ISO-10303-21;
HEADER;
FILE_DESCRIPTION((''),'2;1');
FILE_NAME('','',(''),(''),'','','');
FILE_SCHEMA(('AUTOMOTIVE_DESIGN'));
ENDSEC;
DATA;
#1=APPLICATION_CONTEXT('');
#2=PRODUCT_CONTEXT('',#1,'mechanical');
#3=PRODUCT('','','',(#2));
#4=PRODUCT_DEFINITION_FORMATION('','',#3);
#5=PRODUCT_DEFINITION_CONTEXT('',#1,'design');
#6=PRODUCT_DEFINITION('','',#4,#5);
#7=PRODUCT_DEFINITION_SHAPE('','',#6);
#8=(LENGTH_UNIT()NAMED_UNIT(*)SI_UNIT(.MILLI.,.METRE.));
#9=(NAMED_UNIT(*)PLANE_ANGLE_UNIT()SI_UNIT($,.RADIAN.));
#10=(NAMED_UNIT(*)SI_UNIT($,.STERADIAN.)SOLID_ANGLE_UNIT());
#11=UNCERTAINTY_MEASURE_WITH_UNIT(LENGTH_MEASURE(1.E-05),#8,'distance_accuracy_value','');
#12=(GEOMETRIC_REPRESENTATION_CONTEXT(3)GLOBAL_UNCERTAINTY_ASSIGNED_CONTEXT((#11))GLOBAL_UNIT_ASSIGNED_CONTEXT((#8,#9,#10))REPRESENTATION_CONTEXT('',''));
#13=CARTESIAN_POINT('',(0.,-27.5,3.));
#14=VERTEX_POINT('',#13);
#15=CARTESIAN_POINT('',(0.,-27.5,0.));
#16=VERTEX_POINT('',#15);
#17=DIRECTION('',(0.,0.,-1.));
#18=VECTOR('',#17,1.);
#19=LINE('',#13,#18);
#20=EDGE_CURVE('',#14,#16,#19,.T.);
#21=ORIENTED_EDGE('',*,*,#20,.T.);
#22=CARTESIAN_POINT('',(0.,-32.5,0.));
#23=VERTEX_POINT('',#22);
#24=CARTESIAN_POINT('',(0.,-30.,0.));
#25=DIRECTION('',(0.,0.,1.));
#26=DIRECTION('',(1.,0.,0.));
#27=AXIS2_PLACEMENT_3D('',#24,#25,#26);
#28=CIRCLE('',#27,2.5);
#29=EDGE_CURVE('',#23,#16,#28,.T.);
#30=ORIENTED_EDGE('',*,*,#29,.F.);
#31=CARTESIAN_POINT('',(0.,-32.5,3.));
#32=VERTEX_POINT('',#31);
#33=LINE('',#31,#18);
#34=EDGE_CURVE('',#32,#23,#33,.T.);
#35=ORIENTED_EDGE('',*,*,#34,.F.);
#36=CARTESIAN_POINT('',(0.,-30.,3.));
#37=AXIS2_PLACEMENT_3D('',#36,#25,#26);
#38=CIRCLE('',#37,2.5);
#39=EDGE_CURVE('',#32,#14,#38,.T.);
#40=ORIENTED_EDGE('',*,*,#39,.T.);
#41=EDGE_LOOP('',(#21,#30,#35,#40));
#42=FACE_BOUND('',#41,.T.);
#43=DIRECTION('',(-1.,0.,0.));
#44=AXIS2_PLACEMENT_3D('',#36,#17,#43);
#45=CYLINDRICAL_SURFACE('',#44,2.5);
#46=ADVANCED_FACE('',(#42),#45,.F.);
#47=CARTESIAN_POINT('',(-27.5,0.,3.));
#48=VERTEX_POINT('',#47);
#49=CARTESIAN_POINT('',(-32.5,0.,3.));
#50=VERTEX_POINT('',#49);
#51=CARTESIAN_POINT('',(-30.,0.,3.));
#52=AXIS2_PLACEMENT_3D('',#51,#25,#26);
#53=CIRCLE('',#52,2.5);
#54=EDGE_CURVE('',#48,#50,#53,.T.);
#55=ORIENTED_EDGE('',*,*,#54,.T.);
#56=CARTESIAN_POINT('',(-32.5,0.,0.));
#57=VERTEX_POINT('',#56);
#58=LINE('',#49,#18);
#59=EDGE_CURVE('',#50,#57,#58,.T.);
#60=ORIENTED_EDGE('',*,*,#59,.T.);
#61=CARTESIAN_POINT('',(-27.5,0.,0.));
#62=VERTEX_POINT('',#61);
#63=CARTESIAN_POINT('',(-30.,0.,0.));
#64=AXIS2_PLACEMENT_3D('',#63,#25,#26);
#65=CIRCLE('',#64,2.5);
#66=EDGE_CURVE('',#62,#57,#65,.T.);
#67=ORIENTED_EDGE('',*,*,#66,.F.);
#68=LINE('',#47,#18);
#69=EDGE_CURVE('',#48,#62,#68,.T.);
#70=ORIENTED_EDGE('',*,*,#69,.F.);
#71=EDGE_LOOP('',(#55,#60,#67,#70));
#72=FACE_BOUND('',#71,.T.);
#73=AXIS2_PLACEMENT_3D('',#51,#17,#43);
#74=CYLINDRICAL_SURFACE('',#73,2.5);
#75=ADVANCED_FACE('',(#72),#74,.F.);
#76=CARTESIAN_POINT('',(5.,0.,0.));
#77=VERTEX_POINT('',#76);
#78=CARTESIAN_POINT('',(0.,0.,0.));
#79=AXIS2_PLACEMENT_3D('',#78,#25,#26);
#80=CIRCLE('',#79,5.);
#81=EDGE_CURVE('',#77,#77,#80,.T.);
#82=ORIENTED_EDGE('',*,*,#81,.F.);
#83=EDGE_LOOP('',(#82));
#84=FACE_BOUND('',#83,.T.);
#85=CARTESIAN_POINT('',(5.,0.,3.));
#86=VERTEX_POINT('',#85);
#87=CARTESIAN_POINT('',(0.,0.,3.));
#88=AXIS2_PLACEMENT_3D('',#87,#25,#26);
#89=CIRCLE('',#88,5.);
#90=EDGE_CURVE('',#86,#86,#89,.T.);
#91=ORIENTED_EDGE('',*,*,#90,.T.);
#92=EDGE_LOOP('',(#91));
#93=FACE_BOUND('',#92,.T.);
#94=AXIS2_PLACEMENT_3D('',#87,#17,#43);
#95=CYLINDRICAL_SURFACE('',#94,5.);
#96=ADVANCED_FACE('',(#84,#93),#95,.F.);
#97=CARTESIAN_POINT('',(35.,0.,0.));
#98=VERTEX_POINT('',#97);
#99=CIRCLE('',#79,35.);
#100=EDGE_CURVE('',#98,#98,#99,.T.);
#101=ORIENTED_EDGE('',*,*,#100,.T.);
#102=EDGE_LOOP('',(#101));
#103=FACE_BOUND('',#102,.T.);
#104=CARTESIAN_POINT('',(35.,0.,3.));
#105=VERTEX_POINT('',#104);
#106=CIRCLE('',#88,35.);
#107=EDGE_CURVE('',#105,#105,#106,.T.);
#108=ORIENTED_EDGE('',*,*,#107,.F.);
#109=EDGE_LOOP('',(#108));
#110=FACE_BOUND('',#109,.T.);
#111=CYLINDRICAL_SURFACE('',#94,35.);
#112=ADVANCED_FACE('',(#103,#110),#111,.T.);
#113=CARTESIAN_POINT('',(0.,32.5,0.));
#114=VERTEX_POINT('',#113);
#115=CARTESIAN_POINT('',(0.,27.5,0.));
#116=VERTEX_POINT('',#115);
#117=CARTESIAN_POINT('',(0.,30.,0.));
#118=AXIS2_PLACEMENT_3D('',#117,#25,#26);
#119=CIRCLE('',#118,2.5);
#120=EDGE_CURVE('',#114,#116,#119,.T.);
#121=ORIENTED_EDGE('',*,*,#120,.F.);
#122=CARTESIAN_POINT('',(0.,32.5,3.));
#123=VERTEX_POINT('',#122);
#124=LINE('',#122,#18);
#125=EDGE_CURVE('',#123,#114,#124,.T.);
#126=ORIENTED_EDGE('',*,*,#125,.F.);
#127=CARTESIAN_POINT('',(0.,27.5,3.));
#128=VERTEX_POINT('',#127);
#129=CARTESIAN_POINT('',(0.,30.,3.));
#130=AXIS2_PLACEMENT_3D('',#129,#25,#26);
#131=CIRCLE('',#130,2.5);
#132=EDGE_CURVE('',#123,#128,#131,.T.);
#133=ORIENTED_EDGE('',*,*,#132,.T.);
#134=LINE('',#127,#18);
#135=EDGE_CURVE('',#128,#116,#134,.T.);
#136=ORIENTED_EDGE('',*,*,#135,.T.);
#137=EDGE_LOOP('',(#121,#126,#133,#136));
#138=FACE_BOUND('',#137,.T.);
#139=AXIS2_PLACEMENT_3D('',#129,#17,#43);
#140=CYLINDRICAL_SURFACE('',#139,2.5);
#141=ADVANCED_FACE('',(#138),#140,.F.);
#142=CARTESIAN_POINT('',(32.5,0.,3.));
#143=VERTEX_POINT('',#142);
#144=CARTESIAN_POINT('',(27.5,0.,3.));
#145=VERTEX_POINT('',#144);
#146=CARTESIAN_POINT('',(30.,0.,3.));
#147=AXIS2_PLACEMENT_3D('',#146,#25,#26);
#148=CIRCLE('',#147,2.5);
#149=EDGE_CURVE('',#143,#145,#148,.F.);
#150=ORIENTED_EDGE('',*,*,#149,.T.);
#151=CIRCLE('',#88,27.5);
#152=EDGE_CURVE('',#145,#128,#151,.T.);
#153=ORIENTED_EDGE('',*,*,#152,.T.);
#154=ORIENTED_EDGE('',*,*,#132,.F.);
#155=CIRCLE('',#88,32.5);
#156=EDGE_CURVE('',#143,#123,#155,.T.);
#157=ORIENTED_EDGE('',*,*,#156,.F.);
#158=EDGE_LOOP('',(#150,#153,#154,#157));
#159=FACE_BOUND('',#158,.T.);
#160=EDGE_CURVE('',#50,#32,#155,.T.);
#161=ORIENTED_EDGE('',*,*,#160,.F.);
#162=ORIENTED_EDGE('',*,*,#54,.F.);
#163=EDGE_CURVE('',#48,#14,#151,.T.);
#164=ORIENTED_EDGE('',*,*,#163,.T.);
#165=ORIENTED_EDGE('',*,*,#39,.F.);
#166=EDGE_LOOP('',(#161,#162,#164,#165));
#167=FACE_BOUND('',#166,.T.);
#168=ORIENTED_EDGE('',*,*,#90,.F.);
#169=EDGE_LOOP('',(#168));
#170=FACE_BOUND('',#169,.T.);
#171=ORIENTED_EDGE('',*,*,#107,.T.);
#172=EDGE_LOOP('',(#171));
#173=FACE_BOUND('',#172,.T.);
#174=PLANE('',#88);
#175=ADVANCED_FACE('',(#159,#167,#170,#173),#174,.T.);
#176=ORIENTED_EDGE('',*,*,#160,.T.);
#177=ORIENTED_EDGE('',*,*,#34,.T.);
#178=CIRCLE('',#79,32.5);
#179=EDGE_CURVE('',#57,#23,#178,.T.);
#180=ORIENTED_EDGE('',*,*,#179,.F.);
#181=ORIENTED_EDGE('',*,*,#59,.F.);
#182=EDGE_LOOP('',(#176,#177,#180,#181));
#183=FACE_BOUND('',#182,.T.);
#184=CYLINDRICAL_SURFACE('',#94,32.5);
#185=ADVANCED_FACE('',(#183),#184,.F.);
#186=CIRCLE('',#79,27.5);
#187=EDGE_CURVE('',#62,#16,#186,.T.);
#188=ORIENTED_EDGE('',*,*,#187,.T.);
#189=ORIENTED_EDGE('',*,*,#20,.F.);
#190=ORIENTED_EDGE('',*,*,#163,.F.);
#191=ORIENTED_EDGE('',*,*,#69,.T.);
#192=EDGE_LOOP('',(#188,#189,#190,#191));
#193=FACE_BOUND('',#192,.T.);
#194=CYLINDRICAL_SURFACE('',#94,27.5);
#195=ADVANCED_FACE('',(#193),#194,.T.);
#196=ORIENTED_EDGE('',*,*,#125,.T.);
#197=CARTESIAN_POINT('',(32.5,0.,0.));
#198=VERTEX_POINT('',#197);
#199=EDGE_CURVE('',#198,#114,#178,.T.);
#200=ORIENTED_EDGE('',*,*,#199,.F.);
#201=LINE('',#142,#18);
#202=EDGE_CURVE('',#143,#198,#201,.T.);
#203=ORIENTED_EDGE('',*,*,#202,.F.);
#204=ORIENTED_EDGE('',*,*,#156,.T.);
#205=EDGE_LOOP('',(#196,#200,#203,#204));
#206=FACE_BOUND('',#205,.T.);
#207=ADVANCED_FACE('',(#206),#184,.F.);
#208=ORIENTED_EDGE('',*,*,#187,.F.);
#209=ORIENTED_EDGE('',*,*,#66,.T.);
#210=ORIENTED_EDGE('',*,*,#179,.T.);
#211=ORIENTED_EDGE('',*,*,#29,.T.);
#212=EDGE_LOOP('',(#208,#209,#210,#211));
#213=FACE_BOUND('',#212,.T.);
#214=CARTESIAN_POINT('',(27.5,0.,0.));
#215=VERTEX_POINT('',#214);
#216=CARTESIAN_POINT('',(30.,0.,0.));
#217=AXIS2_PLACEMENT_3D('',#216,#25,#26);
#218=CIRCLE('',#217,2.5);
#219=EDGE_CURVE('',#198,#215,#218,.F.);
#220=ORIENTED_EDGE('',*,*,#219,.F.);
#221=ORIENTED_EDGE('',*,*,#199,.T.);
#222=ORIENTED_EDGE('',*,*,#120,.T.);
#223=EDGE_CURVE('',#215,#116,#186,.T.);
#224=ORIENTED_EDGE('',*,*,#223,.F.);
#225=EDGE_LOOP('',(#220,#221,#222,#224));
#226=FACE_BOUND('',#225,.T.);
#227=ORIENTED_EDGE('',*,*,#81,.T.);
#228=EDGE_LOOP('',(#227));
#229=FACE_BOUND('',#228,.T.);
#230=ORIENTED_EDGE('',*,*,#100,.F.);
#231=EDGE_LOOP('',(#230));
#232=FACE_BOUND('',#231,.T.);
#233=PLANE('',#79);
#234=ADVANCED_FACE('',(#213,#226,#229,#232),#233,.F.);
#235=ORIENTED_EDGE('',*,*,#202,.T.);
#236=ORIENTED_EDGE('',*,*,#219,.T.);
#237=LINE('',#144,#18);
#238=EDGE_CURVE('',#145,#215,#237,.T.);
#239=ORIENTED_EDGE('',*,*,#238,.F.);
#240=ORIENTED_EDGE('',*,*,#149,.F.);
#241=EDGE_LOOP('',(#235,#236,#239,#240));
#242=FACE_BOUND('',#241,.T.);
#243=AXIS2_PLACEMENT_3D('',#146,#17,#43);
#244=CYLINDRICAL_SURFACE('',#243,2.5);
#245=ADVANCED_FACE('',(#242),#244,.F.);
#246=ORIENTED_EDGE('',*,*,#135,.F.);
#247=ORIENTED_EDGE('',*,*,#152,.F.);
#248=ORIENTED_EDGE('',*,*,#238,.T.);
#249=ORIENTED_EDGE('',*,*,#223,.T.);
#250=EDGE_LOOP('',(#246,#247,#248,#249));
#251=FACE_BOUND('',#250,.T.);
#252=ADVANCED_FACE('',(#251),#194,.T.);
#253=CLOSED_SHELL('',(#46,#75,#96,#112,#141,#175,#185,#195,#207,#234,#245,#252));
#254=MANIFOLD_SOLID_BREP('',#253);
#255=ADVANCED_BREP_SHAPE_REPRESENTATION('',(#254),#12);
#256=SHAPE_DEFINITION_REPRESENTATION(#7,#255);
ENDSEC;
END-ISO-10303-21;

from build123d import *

# Parameters (mm, degrees)
SKETCH_1_R      = 35
SKETCH_1_R_2    = 5
EXTRUDE_1_DEPTH = 3


with BuildPart() as part:
    # 스케치1 → 보스-돌출1 (new body)
    with BuildSketch(Plane.XY):
        Circle(SKETCH_1_R)
        with BuildLine():
            ThreePointArc((32.5, 0), (30, -2.5), (27.5, 0))
            ThreePointArc((27.5, 0), (19.445436483, 19.445436483), (0, 27.5))
            ThreePointArc((0, 27.5), (-2.5, 30), (0, 32.5))
            ThreePointArc((0, 32.5), (22.980970389, 22.980970389), (32.5, 0))
        make_face(mode=Mode.SUBTRACT)
        with BuildLine():
            ThreePointArc((0, -27.5), (2.5, -30), (0, -32.5))
            ThreePointArc((0, -32.5), (-22.980970405, -22.980970372), (-32.5, 4.6e-08))
            ThreePointArc((-32.5, 4.6e-08), (-29.999999977, 2.5), (-27.5, 0))
            ThreePointArc((-27.5, 0), (-19.445436483, -19.445436483), (0, -27.5))
        make_face(mode=Mode.SUBTRACT)
        Circle(SKETCH_1_R_2, mode=Mode.SUBTRACT)
    extrude(amount=EXTRUDE_1_DEPTH)


solid = part.part
